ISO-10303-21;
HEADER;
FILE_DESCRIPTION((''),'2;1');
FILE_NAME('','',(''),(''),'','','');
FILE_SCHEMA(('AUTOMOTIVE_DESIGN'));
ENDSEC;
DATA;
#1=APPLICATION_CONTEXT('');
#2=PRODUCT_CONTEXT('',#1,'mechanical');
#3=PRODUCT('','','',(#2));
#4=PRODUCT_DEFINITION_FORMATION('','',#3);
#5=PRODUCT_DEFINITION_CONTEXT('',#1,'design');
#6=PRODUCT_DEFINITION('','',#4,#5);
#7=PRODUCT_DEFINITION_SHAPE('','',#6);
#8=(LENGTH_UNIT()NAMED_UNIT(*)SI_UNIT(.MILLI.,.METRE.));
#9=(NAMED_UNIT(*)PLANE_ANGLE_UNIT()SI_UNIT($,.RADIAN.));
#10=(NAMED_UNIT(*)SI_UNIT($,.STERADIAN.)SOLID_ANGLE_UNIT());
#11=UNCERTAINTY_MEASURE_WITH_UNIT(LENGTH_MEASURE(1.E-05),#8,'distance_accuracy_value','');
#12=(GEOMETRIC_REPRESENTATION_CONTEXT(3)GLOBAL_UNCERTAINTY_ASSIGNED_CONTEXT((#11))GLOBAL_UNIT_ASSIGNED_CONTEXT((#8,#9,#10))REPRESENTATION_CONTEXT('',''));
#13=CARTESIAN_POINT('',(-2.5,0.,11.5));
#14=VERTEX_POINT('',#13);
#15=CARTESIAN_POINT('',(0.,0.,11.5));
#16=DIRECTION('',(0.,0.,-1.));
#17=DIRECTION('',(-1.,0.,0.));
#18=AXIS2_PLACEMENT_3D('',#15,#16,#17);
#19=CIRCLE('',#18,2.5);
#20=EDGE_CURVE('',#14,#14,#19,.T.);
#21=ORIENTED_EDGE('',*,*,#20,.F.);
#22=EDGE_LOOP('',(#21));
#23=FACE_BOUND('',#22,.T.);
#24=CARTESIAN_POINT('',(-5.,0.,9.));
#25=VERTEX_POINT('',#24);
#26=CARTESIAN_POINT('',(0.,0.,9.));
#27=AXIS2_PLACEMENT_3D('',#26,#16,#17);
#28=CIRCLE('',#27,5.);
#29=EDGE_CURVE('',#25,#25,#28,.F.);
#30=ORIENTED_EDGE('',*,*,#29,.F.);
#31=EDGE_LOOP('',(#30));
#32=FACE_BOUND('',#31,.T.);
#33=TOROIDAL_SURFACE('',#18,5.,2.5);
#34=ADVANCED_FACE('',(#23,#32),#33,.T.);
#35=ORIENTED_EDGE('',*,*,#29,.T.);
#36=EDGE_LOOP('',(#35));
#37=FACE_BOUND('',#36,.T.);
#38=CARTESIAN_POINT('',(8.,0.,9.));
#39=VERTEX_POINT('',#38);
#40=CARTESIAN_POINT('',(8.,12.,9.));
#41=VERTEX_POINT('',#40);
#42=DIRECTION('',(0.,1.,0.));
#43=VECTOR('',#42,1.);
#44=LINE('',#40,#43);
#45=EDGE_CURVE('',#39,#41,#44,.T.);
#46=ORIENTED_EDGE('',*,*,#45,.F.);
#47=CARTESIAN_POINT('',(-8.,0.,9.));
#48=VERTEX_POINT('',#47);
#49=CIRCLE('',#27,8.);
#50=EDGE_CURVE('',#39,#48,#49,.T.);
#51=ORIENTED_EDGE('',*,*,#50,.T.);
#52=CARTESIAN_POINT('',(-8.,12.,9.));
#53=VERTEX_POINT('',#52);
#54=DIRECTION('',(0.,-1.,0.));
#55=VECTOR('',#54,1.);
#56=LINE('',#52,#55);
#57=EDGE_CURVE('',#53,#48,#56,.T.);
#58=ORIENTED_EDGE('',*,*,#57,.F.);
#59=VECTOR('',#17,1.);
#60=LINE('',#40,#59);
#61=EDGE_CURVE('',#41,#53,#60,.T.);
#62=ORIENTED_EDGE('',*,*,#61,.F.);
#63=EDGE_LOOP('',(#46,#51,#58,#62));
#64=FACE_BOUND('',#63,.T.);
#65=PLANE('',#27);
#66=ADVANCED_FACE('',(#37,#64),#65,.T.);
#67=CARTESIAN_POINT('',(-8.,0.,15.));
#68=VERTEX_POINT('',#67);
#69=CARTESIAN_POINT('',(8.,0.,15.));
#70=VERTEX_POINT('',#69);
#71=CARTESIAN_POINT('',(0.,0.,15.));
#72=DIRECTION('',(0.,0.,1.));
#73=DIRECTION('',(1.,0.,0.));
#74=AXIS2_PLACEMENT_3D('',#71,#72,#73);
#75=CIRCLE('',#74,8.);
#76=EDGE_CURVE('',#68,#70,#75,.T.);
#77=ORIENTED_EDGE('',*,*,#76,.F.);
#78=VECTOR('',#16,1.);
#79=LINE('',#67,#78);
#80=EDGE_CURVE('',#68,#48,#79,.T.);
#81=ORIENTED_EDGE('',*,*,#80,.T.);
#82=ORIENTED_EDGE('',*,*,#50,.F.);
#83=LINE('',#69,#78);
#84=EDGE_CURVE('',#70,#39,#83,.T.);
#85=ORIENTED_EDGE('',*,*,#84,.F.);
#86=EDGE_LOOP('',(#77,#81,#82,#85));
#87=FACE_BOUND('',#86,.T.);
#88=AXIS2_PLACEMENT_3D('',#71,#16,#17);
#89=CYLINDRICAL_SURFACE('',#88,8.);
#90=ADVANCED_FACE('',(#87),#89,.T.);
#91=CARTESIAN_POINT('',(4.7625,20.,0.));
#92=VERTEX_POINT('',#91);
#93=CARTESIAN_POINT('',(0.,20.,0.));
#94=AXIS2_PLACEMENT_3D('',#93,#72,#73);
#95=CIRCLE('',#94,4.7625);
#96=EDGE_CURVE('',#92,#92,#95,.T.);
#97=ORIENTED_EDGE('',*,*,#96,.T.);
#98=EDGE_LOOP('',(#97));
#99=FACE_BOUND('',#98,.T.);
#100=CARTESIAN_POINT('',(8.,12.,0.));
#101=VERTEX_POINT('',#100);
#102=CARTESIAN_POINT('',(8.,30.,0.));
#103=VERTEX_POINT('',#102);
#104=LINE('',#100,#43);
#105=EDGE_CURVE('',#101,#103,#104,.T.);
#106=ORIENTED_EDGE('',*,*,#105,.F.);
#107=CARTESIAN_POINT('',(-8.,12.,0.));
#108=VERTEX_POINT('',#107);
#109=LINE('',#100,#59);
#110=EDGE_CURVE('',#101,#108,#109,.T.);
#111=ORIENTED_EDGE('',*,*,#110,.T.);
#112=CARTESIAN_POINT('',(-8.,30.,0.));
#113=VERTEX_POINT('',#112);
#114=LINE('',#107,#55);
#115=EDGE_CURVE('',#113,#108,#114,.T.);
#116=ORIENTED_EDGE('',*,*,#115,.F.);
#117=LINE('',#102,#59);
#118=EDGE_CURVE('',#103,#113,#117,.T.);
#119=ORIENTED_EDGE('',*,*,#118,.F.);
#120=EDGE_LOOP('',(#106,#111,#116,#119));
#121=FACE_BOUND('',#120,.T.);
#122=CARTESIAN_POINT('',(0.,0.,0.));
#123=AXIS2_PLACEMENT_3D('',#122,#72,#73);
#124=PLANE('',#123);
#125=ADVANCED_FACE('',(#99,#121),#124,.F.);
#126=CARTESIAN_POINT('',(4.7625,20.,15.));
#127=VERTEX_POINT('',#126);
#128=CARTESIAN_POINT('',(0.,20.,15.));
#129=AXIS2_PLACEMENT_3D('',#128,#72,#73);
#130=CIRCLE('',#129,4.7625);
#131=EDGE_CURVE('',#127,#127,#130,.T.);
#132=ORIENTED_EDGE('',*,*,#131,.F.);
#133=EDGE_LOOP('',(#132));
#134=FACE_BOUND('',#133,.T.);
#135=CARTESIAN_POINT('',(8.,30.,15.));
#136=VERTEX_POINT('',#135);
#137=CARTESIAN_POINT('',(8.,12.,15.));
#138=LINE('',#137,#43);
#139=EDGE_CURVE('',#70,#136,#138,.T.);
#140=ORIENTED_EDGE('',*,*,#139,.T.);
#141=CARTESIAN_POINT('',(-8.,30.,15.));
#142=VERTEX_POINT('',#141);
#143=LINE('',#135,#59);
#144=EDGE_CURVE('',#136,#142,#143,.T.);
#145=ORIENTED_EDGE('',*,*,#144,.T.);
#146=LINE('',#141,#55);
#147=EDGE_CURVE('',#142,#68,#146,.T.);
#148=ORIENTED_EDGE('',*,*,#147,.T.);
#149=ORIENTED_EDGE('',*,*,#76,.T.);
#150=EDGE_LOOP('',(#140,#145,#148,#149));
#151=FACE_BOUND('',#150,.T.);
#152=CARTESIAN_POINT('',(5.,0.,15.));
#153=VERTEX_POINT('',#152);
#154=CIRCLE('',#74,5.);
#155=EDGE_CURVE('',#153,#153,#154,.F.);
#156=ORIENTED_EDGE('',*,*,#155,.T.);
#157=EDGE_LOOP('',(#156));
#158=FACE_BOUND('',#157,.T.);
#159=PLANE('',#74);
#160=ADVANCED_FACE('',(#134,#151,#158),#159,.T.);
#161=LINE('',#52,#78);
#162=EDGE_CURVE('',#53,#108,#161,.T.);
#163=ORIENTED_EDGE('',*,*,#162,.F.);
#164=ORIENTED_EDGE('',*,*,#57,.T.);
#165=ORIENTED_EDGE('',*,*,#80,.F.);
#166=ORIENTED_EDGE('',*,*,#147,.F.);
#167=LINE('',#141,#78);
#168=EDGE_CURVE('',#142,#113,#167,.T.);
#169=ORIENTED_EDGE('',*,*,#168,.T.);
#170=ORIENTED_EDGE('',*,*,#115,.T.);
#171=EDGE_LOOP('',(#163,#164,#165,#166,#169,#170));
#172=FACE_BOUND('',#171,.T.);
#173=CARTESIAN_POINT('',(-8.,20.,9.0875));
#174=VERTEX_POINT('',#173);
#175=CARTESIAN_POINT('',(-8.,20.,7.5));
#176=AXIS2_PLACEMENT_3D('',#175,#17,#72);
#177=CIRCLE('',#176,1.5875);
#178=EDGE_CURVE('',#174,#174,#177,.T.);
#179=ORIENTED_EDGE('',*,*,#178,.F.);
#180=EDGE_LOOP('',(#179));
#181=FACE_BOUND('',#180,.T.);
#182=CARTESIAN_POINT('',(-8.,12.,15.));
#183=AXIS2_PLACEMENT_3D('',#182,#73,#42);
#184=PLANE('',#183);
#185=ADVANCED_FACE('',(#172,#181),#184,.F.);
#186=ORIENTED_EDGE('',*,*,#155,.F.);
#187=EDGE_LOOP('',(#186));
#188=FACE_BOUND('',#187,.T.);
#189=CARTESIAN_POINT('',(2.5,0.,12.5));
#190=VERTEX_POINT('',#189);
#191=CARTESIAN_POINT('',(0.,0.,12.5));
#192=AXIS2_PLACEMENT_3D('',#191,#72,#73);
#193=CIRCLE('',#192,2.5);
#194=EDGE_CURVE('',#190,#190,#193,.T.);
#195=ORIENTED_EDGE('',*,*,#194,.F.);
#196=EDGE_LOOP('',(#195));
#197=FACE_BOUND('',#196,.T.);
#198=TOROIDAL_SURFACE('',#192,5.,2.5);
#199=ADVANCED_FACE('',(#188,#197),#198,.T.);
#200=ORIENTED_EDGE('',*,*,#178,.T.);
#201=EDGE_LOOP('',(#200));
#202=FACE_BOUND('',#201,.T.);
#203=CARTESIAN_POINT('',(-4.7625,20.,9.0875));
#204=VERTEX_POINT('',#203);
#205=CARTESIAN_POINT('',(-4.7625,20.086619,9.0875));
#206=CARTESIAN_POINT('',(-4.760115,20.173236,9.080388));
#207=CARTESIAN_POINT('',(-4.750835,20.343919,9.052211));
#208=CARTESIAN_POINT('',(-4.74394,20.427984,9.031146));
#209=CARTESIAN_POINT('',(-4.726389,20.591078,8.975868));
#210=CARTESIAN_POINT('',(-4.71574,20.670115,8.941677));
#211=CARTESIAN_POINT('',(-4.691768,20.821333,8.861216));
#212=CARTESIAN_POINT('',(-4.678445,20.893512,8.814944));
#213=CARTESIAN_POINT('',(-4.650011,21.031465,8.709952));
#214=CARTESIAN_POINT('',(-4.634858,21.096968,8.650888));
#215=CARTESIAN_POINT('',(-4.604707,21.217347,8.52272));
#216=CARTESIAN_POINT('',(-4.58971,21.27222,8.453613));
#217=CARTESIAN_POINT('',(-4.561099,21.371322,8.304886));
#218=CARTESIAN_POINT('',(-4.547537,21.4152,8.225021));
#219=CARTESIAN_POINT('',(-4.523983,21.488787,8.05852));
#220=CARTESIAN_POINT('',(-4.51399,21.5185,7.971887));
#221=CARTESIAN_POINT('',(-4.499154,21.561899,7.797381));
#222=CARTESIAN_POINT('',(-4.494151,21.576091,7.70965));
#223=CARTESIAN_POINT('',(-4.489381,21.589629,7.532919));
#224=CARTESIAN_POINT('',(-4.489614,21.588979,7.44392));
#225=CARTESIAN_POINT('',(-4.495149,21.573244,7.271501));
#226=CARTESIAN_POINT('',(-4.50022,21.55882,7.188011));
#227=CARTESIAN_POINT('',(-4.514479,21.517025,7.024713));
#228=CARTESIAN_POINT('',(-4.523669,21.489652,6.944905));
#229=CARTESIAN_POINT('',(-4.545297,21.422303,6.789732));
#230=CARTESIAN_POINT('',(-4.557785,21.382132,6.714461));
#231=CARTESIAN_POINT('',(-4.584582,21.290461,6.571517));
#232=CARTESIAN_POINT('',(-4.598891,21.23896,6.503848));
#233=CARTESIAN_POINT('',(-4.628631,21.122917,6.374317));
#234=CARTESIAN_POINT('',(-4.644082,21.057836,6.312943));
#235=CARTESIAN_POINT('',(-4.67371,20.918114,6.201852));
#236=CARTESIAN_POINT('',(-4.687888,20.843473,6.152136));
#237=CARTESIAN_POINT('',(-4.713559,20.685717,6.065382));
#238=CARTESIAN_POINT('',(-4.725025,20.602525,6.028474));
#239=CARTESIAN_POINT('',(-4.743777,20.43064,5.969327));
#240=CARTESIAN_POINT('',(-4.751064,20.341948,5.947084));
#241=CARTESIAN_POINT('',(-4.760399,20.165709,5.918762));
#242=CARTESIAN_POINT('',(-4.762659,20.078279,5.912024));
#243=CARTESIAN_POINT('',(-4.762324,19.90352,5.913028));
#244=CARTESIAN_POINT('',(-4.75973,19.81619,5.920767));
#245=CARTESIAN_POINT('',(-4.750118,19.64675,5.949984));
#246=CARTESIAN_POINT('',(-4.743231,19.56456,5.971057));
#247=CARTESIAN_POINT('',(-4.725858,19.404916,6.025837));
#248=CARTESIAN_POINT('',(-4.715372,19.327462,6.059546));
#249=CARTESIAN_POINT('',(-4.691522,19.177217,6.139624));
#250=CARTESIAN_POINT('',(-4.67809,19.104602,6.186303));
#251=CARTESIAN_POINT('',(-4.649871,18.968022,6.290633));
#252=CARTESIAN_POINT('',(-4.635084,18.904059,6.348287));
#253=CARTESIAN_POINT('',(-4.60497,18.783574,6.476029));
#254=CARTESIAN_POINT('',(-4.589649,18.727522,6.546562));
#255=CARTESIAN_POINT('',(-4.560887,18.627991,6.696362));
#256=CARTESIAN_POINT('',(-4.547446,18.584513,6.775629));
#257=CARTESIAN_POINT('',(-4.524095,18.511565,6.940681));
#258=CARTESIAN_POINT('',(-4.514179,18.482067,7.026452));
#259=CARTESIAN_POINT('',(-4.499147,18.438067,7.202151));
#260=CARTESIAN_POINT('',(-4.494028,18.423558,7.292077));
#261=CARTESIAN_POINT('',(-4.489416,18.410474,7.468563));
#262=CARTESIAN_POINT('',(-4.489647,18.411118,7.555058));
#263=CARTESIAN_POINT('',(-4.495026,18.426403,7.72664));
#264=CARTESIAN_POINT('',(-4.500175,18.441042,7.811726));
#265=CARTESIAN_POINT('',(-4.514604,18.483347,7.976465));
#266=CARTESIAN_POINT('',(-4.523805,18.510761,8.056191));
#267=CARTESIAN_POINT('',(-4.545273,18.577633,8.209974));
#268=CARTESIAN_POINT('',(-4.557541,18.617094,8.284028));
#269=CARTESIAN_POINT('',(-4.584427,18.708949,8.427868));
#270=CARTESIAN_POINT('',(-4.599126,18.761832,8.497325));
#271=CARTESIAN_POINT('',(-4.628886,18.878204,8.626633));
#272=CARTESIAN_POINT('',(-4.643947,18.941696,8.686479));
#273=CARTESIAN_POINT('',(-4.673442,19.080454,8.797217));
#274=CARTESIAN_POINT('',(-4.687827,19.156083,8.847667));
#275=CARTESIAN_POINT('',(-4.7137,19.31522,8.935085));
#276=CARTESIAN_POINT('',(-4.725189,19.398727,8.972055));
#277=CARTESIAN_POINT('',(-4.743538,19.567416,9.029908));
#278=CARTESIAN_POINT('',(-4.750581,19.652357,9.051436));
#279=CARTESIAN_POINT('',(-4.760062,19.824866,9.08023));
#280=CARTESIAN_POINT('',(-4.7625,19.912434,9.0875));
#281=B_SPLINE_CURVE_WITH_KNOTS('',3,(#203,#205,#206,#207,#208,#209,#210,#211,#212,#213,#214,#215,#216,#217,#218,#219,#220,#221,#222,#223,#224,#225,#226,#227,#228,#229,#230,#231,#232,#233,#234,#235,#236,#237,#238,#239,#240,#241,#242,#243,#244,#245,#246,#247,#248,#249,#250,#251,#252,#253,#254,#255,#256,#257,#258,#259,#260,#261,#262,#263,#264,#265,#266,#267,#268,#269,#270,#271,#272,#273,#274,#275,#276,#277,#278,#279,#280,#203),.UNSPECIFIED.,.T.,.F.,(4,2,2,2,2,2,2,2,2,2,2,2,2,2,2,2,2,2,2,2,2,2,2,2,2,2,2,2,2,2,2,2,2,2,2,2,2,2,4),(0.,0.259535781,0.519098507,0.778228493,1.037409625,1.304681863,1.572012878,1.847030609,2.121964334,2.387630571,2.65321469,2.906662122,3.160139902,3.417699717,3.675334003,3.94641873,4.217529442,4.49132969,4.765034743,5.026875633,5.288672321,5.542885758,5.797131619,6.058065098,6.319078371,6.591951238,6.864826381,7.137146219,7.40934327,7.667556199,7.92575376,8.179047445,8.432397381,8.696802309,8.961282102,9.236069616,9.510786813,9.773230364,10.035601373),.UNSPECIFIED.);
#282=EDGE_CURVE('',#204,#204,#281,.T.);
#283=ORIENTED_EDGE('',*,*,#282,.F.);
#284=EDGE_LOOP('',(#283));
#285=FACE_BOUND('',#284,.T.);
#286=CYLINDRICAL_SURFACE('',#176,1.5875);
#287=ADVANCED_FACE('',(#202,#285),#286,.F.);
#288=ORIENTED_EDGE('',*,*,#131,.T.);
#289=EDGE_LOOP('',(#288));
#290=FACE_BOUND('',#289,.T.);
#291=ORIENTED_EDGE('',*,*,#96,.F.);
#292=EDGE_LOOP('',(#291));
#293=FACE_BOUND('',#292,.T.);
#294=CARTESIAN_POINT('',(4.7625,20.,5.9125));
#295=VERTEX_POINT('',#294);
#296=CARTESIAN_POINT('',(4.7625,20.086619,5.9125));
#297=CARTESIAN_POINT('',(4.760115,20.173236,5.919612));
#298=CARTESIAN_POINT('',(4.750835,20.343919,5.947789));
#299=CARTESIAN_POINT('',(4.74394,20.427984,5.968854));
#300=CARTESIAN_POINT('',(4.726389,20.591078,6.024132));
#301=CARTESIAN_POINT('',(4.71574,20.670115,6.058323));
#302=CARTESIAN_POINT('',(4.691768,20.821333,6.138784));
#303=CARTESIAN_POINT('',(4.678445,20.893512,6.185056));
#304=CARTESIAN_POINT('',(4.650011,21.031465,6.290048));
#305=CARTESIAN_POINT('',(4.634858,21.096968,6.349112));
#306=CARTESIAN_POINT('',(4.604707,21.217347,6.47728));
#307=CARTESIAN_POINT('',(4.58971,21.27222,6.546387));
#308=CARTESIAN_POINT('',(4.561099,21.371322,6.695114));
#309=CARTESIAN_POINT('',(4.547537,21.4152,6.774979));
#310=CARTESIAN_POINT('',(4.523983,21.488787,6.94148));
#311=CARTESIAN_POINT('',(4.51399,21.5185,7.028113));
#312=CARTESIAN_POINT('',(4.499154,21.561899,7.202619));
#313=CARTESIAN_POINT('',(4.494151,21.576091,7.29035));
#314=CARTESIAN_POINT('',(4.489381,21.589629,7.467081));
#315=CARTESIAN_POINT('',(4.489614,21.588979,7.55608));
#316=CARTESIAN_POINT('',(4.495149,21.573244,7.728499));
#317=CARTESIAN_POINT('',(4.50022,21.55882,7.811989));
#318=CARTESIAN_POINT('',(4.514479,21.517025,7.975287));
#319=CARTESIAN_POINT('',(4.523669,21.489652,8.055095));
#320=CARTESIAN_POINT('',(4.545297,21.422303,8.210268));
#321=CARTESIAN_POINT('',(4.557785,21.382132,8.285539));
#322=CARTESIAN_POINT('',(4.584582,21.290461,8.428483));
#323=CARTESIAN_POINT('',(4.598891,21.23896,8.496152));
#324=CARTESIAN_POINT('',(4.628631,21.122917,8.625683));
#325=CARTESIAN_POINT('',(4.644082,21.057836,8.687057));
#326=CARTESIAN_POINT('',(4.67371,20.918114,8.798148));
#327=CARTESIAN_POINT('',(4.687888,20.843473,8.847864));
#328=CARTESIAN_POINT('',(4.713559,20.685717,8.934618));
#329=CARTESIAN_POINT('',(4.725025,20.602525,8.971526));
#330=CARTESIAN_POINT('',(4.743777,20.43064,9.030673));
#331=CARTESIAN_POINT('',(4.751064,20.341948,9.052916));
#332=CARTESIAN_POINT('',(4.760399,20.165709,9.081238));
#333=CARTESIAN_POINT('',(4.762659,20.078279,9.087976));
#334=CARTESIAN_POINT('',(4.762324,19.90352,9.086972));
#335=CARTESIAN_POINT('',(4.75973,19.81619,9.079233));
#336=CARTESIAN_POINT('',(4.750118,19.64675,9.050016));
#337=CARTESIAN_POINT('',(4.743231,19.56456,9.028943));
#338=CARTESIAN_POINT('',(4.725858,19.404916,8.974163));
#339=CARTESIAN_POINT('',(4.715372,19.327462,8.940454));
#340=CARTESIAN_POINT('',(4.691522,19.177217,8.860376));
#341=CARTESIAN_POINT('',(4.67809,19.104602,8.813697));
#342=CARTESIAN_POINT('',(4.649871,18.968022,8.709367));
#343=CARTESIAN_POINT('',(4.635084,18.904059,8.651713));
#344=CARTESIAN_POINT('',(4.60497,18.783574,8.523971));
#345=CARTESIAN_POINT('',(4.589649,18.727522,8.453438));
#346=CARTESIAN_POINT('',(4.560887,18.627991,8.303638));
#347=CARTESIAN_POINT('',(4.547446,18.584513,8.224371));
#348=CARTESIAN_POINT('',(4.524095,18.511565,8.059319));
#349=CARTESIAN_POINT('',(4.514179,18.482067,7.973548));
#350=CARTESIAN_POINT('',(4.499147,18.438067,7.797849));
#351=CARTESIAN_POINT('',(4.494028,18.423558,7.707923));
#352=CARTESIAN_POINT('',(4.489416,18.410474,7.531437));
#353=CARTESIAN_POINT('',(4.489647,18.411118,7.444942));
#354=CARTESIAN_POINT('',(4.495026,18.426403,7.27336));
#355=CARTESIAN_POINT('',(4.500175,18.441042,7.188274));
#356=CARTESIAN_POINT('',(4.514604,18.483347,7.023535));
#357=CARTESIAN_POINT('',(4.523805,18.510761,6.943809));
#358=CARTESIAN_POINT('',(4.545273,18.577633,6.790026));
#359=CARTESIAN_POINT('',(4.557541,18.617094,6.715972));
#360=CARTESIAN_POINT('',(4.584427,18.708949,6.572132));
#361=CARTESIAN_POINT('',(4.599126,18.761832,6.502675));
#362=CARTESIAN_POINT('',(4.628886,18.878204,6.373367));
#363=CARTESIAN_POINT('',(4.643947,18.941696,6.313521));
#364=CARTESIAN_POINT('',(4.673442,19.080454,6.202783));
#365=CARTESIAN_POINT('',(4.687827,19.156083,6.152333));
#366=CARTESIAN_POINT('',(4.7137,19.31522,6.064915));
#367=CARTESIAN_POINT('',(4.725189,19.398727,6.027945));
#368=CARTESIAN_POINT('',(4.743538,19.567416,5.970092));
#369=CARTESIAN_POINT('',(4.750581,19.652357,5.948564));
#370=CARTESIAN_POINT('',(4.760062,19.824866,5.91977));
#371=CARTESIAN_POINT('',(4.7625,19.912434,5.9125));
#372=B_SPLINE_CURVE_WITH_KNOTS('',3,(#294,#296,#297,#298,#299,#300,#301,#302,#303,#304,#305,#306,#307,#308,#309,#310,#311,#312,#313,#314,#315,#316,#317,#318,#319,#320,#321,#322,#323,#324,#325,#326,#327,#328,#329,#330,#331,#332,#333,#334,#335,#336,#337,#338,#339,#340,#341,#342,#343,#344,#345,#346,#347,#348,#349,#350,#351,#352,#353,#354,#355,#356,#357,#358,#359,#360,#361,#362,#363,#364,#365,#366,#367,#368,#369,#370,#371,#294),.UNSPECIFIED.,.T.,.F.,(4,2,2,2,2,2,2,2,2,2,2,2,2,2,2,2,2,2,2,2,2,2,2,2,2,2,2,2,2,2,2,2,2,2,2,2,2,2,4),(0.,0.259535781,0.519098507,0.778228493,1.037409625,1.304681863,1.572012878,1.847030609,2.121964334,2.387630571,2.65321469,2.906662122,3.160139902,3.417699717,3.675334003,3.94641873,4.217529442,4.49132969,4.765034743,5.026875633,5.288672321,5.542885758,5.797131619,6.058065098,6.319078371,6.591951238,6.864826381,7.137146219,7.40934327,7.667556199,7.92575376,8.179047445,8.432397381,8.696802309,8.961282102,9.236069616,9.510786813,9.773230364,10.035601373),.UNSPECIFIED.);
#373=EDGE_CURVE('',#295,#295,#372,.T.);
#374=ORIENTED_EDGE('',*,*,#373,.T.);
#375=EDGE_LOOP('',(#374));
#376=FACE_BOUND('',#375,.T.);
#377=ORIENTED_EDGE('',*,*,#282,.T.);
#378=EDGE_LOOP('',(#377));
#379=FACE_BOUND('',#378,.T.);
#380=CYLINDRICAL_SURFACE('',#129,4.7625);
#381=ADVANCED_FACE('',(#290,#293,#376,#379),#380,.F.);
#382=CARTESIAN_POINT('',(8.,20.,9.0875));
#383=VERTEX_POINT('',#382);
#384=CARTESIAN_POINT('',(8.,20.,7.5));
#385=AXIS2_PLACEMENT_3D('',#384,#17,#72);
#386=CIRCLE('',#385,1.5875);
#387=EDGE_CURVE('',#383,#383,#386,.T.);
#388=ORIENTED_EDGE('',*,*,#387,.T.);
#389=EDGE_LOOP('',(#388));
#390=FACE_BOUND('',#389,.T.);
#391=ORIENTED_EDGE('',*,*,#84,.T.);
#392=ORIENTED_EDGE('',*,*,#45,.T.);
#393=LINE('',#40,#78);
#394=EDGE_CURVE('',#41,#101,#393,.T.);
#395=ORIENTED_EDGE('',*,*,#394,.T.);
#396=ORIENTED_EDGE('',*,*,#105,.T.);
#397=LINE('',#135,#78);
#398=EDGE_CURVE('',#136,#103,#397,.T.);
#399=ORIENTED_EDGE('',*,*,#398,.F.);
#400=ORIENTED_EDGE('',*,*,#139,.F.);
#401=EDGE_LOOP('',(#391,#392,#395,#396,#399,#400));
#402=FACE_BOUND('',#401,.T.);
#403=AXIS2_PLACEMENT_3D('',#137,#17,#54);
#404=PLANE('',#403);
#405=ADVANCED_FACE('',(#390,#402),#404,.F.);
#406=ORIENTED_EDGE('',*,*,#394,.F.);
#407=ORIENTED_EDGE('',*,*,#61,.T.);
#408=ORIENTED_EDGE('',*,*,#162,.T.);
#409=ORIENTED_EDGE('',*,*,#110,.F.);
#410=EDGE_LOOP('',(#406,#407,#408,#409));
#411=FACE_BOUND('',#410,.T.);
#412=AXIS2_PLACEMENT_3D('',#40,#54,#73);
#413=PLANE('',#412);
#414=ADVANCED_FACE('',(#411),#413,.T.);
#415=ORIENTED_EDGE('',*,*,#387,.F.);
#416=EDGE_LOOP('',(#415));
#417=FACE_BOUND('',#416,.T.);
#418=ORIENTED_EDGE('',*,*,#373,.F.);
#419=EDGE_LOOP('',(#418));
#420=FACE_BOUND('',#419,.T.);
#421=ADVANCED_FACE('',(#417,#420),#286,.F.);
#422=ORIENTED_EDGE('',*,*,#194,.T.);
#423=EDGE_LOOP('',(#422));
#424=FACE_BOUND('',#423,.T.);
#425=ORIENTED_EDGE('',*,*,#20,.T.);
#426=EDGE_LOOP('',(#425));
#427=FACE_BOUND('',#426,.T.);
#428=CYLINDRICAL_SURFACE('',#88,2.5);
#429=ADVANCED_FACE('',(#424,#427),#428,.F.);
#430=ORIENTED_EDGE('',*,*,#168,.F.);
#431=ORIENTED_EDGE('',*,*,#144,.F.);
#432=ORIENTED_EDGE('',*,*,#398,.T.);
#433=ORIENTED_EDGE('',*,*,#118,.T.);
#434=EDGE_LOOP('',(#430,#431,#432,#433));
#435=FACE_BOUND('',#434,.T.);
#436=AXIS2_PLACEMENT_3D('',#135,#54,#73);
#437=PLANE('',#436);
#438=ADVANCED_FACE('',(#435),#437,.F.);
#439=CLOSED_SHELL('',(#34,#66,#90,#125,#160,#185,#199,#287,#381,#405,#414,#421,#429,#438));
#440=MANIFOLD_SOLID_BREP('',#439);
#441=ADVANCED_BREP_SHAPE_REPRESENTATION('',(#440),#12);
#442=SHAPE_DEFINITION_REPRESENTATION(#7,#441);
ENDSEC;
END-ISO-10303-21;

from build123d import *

# Parameters (mm, degrees)
SKETCH1_R                  = 2.5
BOSS_EXTRUDE1_DEPTH        = 15
SKETCH6_W                  = 16
SKETCH6_H                  = 20
CUT_EXTRUDE1_DEPTH         = 9
FILLET1_R                  = 2.5
F_3_8_0_3750_DOWEL_HOLE1_D = 9.525
F_1_8_0_1250_DOWEL_HOLE1_D = 3.175


with BuildPart() as part:
    # Sketch1 → Boss-Extrude1 (new body)
    with BuildSketch(Plane.XY):
        with BuildLine():
            Line((-8, 12), (-8, 0))
            ThreePointArc((-8, 0), (0, -8), (8, 0))
            Line((8, 0), (8, 12))
            Line((8, 12), (8, 30))
            Line((8, 30), (-8, 30))
            Line((-8, 30), (-8, 12))
        make_face()
        Circle(SKETCH1_R, mode=Mode.SUBTRACT)
    extrude(amount=BOSS_EXTRUDE1_DEPTH)

    # Sketch6 → Cut-Extrude1 (cut)
    with BuildSketch(Plane.XY):
        with Locations((0, 2)):
            Rectangle(SKETCH6_W, SKETCH6_H)
    extrude(amount=CUT_EXTRUDE1_DEPTH, mode=Mode.SUBTRACT)

    # Fillet1
    fillet1_edges = [part.edges().sort_by_distance(p)[0] for p in [
        (-2.5, 0, 15),
        (-2.5, 0, 9),
    ]]
    fillet(fillet1_edges, radius=FILLET1_R)

    # 3/8 (0.3750) Dowel Hole1 (through all)
    with Locations(Plane.XY.offset(15)):
        with Locations((0, 20)):
            Hole(F_3_8_0_3750_DOWEL_HOLE1_D / 2)

    # 1/8 (0.1250) Dowel Hole1 (through all)
    with Locations(Plane.ZY.offset(8)):
        with Locations((7.5, 20)):
            Hole(F_1_8_0_1250_DOWEL_HOLE1_D / 2)


solid = part.part
